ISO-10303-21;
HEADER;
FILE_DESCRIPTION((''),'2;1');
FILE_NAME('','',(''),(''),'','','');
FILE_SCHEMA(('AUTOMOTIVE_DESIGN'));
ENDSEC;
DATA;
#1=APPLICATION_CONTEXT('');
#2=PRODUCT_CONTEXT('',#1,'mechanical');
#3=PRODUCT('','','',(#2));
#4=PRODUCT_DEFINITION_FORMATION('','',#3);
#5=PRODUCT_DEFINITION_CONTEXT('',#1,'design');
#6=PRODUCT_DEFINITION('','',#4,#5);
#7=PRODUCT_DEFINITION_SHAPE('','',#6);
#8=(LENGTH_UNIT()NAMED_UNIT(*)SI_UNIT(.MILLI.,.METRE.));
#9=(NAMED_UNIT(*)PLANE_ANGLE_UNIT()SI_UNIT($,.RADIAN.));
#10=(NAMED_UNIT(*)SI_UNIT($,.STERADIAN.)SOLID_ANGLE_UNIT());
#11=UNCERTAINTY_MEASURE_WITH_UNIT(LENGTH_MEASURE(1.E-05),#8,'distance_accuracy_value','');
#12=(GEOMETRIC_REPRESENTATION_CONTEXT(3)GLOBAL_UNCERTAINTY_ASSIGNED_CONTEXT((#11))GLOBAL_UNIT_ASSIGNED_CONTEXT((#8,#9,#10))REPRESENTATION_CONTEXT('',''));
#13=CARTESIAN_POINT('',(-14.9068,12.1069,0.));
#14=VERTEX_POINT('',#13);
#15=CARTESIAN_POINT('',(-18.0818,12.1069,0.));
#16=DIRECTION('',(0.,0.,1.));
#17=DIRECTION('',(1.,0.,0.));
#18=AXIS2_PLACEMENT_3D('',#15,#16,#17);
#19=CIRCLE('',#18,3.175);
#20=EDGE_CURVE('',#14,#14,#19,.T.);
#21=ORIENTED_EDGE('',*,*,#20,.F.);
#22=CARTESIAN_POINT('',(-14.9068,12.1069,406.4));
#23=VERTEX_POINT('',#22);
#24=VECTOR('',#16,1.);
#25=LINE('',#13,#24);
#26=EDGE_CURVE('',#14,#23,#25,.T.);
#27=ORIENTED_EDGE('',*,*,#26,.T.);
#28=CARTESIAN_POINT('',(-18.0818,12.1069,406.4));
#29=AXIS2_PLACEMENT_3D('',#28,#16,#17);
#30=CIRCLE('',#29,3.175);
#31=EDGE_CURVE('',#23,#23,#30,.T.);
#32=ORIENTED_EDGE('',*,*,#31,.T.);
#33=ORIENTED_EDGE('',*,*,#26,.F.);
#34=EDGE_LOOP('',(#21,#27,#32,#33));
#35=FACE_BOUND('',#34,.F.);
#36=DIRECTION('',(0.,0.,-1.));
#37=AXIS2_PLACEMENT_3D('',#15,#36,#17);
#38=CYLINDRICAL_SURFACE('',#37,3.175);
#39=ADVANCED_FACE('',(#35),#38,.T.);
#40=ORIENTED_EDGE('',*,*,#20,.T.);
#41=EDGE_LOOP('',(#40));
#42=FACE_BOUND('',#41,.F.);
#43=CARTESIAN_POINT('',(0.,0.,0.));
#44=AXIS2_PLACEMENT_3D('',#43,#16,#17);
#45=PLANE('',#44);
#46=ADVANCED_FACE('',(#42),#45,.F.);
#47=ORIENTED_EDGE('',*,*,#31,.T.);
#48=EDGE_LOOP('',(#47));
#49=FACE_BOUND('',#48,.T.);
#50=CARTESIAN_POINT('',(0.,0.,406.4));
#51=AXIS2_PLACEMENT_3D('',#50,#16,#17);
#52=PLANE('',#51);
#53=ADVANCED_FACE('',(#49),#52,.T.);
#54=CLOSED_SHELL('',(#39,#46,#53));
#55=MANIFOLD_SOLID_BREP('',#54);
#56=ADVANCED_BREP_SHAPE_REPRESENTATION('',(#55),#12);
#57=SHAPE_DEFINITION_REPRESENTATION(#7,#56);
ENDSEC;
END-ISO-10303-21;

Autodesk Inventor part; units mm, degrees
ref_plane "XZ Plane" through (0, 0, 0) normal (0, 1, 0) x (-1, 0, 0)
ref_plane "XY Plane" through (0, 0, 0) normal (0, 0, 1) x (1, 0, 0)
sketch "Sketch1" plane through (0, 0, 0) normal (0, 0, 1) x (1, 0, 0)
  circle A0 centre (-18.0818, 12.1069) radius 3.175
  dimension "d0" = 6.35
extrude "Extrusion1" add sketch "Sketch1" along normal blind 406.4
ref_plane "Work Plane1" through (-18.0818, 12.1069, 0) normal (0, 1, 0) x (0, 0, 1)
properties part number "FE-00004-02C"
